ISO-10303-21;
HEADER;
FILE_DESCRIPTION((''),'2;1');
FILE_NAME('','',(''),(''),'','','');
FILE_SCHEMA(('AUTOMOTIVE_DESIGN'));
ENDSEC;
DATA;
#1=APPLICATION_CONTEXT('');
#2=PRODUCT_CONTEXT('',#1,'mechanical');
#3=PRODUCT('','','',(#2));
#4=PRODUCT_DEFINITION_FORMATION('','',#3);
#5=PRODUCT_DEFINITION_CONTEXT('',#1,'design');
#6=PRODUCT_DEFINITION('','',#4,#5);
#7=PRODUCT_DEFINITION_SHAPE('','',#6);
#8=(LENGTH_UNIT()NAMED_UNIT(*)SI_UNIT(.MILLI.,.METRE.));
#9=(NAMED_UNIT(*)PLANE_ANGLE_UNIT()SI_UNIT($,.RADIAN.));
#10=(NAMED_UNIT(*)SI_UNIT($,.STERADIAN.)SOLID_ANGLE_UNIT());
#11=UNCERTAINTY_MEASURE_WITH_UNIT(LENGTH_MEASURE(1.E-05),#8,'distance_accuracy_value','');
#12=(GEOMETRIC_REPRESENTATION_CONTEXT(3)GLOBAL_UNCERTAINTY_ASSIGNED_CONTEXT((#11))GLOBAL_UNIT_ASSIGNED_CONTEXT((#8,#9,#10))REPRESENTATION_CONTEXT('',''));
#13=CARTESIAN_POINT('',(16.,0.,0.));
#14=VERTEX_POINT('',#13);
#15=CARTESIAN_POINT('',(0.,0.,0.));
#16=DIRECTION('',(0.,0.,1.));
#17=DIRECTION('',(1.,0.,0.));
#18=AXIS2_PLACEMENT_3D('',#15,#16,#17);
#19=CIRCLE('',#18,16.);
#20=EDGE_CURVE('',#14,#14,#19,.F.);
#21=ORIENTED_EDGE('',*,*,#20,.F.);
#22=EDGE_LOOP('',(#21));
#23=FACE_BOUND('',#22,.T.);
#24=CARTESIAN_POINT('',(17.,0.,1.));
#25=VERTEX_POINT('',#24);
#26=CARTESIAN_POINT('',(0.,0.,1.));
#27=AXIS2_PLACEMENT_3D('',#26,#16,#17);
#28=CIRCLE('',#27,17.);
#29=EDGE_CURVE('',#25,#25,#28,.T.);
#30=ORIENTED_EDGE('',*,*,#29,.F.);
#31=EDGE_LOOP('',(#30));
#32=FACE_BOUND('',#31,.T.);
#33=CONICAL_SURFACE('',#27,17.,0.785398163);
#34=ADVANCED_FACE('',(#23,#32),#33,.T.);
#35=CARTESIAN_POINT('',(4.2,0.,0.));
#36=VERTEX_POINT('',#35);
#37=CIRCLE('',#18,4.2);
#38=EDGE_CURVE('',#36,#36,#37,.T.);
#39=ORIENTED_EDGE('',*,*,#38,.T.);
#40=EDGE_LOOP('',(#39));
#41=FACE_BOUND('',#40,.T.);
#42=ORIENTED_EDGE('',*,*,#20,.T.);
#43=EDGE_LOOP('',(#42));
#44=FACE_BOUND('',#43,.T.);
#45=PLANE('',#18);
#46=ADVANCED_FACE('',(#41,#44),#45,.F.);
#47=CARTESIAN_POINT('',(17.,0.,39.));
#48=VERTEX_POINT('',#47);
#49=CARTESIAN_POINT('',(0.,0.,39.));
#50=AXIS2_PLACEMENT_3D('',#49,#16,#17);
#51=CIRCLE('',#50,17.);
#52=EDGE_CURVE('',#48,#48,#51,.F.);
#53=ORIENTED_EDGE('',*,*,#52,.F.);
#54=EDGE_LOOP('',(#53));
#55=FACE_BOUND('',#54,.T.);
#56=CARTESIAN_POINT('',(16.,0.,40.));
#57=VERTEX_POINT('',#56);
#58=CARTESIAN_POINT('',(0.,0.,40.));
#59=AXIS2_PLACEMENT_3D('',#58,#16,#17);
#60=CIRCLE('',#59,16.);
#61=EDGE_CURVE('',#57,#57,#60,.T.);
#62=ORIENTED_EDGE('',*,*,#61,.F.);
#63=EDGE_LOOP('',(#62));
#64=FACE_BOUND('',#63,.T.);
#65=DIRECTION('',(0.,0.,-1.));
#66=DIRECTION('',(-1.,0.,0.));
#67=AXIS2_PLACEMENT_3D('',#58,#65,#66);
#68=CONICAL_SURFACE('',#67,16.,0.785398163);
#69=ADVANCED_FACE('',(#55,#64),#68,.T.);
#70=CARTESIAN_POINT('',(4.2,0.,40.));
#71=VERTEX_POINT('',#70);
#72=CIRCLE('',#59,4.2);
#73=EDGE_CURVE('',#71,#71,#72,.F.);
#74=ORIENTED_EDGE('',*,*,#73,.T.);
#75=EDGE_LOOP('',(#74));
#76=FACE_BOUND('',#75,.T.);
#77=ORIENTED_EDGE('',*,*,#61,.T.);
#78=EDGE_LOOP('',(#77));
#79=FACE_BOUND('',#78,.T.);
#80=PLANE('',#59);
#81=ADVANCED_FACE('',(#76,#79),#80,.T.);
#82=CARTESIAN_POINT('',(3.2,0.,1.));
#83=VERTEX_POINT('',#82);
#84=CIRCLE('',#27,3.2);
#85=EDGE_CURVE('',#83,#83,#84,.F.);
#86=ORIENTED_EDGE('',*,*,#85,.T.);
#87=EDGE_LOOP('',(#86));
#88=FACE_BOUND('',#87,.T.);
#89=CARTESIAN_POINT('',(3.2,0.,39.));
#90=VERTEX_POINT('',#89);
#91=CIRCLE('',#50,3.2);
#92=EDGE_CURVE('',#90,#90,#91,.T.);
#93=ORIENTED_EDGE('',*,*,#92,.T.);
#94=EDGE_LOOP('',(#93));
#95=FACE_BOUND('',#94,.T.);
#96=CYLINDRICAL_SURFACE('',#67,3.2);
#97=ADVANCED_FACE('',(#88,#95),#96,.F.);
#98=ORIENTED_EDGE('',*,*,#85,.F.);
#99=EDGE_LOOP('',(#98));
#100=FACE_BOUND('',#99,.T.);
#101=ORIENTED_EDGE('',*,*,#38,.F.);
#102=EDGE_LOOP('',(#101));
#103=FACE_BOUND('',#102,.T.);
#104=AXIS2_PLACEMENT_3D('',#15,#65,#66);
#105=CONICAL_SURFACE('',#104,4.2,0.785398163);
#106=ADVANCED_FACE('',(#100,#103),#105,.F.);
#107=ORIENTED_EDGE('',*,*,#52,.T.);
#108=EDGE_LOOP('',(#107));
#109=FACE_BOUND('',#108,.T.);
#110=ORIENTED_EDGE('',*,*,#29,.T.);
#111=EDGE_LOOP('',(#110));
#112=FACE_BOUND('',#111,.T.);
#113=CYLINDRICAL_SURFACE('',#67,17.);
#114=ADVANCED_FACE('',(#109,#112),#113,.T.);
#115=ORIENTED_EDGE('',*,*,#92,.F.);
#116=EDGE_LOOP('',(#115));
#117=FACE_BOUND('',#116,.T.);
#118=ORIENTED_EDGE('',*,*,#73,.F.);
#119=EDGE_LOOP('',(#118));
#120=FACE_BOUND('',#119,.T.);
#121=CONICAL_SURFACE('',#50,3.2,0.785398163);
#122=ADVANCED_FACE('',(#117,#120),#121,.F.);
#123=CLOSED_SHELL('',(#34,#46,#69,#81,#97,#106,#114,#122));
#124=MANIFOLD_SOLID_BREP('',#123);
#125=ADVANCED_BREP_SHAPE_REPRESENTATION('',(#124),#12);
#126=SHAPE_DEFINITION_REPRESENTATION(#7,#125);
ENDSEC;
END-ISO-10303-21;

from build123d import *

# Parameters (mm, degrees)
ESQUISSE1_R        = 17
ESQUISSE1_R_2      = 3.2
BOSS_EXTRU_1_DEPTH = 40
CHANFREIN1_SIZE    = 1


with BuildPart() as part:
    # Esquisse1 → Boss.-Extru.1 (new body)
    with BuildSketch(Plane.XY):
        Circle(ESQUISSE1_R)
        Circle(ESQUISSE1_R_2, mode=Mode.SUBTRACT)
    extrude(amount=BOSS_EXTRU_1_DEPTH)

    # Chanfrein1
    chanfrein1_edges = [part.edges().sort_by_distance(p)[0] for p in [
        (-17, 0, 0),
        (-17, 0, 40),
        (-3.2, 0, 0),
        (-3.2, 0, 40),
    ]]
    chamfer(chanfrein1_edges, length=CHANFREIN1_SIZE)


solid = part.part
